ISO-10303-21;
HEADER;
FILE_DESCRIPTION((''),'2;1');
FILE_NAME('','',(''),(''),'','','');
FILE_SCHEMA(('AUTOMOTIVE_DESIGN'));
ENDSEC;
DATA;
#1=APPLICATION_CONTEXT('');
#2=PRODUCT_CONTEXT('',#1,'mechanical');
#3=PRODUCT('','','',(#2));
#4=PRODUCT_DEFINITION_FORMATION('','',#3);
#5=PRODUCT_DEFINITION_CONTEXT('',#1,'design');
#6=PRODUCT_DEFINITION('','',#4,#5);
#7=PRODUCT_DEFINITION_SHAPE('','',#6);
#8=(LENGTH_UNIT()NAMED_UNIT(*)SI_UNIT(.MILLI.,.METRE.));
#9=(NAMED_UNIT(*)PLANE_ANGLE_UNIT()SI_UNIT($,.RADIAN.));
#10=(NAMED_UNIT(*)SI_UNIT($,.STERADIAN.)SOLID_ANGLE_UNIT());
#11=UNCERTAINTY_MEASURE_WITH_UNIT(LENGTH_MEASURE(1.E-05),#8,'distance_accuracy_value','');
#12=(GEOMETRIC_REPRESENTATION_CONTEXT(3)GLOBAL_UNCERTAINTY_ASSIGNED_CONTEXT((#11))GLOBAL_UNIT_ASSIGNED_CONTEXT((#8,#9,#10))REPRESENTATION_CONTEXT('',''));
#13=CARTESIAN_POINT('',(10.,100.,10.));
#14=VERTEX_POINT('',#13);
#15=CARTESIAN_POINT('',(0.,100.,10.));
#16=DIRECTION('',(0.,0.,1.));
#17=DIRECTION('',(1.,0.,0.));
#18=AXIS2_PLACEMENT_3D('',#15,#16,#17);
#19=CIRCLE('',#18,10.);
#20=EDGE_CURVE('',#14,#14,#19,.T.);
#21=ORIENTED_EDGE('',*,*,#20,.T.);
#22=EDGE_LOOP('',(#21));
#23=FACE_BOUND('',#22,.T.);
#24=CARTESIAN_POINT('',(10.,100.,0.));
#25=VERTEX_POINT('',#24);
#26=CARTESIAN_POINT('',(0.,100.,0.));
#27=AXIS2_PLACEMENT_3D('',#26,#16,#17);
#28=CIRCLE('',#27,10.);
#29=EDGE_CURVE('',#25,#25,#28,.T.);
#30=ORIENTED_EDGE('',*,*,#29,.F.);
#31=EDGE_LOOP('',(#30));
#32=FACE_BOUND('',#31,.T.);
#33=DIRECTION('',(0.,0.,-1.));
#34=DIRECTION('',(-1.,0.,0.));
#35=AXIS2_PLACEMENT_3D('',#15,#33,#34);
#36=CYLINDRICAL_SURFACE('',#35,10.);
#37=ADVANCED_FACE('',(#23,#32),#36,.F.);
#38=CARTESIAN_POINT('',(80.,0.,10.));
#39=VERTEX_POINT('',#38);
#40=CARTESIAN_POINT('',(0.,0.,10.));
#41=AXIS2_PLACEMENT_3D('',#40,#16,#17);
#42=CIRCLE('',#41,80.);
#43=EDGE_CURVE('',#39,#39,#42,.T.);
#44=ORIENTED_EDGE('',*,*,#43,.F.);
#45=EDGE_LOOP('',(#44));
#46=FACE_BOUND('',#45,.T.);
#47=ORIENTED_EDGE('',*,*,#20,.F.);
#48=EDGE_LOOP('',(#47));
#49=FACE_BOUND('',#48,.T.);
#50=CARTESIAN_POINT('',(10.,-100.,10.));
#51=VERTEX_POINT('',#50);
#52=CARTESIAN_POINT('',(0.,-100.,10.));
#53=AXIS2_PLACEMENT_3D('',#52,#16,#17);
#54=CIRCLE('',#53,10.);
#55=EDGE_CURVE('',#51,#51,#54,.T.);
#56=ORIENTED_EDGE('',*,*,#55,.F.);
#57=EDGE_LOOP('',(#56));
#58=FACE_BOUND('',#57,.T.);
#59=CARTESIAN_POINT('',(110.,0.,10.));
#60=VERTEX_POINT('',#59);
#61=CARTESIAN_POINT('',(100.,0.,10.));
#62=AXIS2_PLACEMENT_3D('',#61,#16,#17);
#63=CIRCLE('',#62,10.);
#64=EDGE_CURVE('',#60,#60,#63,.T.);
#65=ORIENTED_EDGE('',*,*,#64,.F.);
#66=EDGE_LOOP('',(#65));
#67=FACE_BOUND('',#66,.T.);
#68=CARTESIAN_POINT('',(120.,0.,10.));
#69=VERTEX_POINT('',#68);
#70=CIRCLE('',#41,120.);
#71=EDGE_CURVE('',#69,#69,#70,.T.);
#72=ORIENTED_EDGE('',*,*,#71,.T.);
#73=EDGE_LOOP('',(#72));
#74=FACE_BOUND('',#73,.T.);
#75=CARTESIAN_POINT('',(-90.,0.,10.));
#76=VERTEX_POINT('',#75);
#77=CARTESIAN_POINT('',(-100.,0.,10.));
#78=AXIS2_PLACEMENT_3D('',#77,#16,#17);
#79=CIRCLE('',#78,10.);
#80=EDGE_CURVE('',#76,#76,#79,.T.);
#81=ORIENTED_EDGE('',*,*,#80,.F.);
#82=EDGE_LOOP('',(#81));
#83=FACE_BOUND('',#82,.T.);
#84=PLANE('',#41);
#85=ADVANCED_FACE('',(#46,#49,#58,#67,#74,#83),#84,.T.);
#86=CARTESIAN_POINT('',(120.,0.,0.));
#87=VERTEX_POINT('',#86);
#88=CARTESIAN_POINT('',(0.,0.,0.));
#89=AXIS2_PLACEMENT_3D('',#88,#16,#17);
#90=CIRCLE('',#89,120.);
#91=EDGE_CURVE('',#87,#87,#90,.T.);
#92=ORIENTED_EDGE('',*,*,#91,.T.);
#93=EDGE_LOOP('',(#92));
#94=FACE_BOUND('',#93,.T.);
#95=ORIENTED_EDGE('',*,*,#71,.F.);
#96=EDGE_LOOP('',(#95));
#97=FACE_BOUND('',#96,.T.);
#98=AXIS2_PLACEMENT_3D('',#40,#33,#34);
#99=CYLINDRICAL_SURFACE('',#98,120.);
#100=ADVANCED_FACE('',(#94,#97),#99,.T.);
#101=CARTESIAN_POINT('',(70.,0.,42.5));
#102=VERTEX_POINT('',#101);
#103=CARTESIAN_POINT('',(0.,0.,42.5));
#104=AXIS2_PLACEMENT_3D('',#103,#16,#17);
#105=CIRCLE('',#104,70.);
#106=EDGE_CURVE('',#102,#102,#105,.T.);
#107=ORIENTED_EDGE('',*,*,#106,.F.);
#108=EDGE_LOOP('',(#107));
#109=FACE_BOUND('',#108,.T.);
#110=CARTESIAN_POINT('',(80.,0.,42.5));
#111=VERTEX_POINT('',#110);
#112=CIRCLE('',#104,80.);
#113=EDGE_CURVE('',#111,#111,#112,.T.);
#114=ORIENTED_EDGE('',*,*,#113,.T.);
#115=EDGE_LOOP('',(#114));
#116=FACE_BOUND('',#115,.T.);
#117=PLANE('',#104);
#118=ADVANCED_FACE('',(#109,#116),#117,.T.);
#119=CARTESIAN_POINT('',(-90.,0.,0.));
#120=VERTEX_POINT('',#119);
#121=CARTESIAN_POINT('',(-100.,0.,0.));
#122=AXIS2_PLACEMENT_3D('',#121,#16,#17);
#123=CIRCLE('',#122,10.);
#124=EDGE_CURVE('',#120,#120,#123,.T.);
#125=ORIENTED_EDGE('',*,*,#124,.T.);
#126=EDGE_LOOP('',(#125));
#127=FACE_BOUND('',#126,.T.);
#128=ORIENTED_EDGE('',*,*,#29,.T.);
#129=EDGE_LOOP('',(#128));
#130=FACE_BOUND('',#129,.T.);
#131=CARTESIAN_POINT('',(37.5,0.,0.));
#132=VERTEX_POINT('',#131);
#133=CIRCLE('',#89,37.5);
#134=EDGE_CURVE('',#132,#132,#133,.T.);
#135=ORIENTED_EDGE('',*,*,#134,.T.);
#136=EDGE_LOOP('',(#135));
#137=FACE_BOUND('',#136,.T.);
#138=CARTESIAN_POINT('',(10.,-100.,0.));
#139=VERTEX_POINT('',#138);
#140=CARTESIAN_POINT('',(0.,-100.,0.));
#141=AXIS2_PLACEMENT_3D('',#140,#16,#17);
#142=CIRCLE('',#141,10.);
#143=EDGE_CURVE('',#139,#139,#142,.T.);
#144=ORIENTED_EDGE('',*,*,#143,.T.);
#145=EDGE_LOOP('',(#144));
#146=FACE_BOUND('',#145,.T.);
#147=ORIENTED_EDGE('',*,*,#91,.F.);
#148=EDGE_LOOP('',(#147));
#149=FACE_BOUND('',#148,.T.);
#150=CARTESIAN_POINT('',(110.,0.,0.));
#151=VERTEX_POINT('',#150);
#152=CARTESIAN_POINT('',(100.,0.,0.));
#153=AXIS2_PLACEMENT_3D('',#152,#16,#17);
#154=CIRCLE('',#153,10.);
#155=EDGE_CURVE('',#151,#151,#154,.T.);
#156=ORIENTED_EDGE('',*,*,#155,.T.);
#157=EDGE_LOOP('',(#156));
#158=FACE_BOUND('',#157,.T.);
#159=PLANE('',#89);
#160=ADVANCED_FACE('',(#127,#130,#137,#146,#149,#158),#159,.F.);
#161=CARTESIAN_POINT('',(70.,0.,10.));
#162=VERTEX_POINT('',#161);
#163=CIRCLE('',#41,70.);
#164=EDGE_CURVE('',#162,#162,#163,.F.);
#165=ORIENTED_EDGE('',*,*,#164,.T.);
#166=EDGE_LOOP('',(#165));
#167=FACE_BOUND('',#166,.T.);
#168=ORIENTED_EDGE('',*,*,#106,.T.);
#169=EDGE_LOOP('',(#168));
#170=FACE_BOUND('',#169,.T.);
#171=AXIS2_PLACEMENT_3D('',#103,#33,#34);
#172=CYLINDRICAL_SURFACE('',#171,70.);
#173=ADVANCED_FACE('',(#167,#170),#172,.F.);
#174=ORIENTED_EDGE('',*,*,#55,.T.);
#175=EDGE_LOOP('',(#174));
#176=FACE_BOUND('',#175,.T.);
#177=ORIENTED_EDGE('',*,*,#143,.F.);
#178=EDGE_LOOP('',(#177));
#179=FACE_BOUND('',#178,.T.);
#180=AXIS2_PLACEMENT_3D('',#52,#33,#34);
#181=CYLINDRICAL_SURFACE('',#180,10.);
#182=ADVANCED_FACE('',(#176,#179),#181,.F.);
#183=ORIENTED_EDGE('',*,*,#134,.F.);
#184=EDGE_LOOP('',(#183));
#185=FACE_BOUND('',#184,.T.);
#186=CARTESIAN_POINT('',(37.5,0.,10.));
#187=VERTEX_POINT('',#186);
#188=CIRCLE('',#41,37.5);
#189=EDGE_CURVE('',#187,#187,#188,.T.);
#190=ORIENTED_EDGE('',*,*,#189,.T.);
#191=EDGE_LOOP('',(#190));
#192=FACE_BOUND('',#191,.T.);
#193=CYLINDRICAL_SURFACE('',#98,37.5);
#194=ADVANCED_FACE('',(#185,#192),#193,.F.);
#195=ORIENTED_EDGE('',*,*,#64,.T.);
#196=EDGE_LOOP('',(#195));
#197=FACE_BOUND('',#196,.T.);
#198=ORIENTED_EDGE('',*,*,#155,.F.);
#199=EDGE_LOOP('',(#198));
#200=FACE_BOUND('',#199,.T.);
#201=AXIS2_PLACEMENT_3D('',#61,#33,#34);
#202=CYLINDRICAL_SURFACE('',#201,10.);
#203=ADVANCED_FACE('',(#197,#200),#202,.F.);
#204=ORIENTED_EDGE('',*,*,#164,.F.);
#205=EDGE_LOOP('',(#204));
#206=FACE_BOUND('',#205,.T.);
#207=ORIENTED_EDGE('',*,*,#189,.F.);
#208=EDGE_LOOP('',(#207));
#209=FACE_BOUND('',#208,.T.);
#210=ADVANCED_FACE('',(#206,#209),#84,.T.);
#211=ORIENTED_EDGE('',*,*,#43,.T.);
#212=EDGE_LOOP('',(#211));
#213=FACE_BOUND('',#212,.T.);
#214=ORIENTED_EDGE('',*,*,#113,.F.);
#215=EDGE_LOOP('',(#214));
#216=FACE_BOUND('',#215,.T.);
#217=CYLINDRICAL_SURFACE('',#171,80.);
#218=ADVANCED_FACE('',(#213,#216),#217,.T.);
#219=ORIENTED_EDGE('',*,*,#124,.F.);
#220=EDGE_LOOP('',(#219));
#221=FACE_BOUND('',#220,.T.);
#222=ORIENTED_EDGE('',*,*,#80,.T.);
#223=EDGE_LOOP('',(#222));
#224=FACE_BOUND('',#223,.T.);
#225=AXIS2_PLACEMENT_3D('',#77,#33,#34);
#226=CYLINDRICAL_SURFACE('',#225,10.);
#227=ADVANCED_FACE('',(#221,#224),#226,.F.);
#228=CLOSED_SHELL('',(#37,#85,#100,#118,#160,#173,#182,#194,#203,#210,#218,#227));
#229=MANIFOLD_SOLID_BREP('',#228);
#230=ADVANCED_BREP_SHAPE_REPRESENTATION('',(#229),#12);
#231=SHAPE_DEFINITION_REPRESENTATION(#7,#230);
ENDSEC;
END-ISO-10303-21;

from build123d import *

# Parameters (mm, degrees)
SKETCH_1_R      = 120
SKETCH_1_R_2    = 37.5
SKETCH_1_R_3    = 10
EXTRUDE_1_DEPTH = 10
SKETCH_2_R      = 80
SKETCH_2_R_2    = 70
EXTRUDE_2_DEPTH = 32.5


with BuildPart() as part:
    # 草图1 → 拉伸1 (new body)
    with BuildSketch(Plane.XY):
        Circle(SKETCH_1_R)
        Circle(SKETCH_1_R_2, mode=Mode.SUBTRACT)
        with Locations((0, 100)):
            Circle(SKETCH_1_R_3, mode=Mode.SUBTRACT)
        with Locations((100, 0)):
            Circle(SKETCH_1_R_3, mode=Mode.SUBTRACT)
        with Locations((0, -100)):
            Circle(SKETCH_1_R_3, mode=Mode.SUBTRACT)
        with Locations((-100, 0)):
            Circle(SKETCH_1_R_3, mode=Mode.SUBTRACT)
    extrude(amount=EXTRUDE_1_DEPTH)

    # 草图2 → 拉伸2 (add)
    with BuildSketch(Plane.XY.offset(10)):
        Circle(SKETCH_2_R)
        Circle(SKETCH_2_R_2, mode=Mode.SUBTRACT)
    extrude(amount=EXTRUDE_2_DEPTH)


solid = part.part
